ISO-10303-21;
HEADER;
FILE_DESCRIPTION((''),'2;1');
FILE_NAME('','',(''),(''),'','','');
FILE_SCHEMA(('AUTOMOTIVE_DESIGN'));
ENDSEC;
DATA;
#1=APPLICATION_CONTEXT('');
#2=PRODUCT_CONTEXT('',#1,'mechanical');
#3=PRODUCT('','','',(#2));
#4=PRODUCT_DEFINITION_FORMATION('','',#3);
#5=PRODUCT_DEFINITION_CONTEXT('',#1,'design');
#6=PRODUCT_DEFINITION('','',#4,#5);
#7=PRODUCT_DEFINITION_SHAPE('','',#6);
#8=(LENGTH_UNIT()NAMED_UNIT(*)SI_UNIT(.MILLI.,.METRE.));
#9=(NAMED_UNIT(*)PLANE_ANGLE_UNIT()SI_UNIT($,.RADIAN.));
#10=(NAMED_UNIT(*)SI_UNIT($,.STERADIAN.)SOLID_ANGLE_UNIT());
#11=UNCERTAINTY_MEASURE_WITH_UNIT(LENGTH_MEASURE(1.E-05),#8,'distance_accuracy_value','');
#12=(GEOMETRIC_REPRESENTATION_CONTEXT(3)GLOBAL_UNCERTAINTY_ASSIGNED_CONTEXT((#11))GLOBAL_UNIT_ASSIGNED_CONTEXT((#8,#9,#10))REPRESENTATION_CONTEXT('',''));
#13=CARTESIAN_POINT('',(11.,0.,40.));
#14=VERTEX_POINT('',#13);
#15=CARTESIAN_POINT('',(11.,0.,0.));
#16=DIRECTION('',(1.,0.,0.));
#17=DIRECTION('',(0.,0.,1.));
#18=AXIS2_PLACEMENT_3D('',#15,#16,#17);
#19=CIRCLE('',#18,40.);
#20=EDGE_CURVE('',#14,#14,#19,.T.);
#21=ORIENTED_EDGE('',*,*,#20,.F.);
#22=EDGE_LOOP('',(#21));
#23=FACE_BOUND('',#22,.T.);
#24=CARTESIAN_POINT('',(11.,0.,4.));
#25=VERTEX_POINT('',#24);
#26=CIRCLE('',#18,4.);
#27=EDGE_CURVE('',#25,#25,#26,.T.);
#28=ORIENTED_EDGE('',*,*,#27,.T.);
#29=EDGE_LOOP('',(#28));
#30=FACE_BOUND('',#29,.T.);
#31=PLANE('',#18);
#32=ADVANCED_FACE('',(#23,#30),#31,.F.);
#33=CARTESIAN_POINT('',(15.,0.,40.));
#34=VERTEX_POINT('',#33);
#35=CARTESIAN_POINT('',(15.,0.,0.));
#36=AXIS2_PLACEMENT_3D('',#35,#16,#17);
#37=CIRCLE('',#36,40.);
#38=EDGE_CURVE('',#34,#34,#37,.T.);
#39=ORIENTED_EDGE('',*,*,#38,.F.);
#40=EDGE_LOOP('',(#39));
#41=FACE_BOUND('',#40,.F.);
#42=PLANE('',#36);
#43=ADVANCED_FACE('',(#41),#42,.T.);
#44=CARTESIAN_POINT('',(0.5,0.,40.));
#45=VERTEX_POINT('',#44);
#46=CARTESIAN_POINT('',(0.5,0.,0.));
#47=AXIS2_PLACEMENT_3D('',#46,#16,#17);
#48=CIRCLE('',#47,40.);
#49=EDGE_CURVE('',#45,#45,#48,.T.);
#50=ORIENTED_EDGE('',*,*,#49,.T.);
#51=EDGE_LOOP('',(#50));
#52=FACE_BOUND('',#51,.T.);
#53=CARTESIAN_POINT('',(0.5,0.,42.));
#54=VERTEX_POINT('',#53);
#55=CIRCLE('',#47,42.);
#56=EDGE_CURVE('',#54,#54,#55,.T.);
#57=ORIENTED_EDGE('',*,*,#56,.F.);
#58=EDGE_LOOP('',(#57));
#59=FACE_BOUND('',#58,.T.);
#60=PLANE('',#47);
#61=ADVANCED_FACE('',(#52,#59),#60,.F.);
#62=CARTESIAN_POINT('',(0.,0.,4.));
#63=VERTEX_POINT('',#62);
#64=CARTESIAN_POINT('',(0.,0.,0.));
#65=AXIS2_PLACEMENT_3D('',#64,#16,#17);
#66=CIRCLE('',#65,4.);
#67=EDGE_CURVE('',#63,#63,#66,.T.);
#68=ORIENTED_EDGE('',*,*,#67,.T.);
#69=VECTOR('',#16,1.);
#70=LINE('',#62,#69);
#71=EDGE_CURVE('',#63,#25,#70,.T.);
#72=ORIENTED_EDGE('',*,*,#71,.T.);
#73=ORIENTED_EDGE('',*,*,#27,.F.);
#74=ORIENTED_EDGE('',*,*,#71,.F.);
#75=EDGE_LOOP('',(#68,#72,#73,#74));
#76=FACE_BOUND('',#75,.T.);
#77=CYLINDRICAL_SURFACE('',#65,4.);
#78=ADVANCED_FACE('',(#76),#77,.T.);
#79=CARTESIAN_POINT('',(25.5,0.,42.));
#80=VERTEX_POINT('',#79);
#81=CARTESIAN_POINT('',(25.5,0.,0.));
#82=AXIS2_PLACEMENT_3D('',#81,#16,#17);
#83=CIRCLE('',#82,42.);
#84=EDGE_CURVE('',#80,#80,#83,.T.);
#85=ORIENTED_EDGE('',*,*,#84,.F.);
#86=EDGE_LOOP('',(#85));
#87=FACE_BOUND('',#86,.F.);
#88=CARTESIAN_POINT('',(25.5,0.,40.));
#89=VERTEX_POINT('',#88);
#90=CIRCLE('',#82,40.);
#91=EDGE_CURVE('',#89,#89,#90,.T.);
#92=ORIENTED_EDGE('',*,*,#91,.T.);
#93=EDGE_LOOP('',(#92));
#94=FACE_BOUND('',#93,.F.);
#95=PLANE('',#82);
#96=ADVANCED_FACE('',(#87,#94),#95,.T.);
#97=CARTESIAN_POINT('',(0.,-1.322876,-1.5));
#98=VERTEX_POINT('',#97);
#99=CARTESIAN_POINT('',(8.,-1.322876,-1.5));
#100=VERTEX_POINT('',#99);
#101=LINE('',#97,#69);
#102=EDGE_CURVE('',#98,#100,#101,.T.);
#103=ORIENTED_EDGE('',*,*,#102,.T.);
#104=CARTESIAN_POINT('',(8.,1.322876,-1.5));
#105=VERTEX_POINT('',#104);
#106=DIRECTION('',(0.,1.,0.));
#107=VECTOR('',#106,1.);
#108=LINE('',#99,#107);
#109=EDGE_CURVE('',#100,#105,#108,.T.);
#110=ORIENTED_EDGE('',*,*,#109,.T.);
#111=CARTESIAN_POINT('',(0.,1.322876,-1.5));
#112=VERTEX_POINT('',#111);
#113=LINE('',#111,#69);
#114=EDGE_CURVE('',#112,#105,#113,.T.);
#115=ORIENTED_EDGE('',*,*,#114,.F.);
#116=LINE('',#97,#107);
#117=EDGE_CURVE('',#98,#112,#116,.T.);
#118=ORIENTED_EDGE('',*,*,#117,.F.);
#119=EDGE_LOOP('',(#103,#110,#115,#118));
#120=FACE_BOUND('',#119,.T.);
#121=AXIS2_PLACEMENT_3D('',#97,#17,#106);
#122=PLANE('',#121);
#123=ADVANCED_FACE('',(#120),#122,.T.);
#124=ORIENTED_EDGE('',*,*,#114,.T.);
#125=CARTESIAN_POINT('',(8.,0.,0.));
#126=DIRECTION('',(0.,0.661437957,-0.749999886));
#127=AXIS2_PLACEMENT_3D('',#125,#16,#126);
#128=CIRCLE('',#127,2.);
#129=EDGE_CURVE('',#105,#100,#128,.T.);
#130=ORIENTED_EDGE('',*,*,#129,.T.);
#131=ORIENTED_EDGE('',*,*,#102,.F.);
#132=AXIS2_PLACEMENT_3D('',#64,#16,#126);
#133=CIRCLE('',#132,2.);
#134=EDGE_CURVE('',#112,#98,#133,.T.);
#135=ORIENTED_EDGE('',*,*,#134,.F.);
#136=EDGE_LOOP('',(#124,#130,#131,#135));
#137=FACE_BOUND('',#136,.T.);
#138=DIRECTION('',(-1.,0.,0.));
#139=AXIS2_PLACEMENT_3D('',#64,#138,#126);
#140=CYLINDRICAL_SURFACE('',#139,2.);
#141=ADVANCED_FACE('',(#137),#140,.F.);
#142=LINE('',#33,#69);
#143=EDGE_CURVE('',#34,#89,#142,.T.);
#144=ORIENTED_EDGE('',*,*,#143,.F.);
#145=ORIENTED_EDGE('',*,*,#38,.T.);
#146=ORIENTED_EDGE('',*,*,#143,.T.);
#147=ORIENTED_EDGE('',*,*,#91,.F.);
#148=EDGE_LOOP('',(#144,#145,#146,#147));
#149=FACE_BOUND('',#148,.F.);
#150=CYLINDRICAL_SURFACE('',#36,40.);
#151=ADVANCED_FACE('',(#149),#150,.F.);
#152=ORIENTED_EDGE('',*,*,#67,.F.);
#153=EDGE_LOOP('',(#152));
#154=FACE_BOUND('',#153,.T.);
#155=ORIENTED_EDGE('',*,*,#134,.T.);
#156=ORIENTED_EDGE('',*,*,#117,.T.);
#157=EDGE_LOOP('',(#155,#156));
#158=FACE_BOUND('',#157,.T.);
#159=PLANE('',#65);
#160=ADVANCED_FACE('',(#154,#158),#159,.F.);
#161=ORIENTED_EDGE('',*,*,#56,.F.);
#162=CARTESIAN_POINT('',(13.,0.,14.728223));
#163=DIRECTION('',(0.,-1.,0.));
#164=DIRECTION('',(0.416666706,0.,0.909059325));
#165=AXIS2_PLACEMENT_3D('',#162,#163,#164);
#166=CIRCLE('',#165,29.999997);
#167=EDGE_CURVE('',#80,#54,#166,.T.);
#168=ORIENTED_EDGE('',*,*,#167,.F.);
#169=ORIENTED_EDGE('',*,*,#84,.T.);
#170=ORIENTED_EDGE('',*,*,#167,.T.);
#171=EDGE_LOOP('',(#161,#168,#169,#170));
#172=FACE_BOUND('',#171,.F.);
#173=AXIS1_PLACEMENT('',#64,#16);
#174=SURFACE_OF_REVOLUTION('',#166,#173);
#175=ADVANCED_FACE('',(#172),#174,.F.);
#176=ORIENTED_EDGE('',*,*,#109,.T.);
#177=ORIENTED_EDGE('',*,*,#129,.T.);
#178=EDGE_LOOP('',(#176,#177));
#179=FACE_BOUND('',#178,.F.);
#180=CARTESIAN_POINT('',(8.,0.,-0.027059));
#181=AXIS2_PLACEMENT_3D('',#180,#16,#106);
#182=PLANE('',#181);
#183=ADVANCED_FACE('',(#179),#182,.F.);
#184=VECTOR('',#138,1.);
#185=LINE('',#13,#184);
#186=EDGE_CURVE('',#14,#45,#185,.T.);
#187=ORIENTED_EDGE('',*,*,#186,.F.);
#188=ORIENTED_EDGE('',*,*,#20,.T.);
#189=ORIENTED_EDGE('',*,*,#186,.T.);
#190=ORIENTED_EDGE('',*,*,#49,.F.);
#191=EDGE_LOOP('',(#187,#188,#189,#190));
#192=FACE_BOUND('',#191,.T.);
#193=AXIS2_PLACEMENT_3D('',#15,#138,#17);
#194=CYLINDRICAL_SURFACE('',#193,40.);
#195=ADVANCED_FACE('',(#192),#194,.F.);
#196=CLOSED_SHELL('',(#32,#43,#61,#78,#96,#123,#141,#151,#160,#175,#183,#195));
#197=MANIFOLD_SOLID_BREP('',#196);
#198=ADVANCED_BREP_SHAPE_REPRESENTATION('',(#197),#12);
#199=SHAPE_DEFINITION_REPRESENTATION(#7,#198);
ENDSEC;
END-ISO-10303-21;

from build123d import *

# Parameters (mm, degrees)
POCKET_DEPTH = 8


with BuildPart() as part:
    # Sketch (on DatumPlane) → Revolution (revolve)
    with BuildSketch(Plane.XZ):
        with BuildLine():
            Line((0, 0), (0, 4))
            Line((0, 4), (11, 4))
            Line((11, 4), (11, 40))
            Line((11, 40), (0.5, 40))
            Line((0.5, 40), (0.5, 42))
            ThreePointArc((25.5, 42), (13, 44.72822), (0.5, 42))
            Line((25.5, 40), (25.5, 42))
            Line((15, 40), (25.5, 40))
            Line((15, 0), (15, 40))
            Line((0, 0), (15, 0))
        make_face()
    revolve(axis=Axis((0, 0, 0), (1, 0, 0)))

    # Sketch001 (on DatumPlane) → Pocket (cut)
    with BuildSketch(Plane.YZ):
        with BuildLine():
            ThreePointArc((1.322876, -1.5), (0, 2), (-1.322876, -1.5))
            Line((-1.322876, -1.5), (1.322876, -1.5))
        make_face()
    extrude(amount=POCKET_DEPTH, mode=Mode.SUBTRACT)


solid = part.part
